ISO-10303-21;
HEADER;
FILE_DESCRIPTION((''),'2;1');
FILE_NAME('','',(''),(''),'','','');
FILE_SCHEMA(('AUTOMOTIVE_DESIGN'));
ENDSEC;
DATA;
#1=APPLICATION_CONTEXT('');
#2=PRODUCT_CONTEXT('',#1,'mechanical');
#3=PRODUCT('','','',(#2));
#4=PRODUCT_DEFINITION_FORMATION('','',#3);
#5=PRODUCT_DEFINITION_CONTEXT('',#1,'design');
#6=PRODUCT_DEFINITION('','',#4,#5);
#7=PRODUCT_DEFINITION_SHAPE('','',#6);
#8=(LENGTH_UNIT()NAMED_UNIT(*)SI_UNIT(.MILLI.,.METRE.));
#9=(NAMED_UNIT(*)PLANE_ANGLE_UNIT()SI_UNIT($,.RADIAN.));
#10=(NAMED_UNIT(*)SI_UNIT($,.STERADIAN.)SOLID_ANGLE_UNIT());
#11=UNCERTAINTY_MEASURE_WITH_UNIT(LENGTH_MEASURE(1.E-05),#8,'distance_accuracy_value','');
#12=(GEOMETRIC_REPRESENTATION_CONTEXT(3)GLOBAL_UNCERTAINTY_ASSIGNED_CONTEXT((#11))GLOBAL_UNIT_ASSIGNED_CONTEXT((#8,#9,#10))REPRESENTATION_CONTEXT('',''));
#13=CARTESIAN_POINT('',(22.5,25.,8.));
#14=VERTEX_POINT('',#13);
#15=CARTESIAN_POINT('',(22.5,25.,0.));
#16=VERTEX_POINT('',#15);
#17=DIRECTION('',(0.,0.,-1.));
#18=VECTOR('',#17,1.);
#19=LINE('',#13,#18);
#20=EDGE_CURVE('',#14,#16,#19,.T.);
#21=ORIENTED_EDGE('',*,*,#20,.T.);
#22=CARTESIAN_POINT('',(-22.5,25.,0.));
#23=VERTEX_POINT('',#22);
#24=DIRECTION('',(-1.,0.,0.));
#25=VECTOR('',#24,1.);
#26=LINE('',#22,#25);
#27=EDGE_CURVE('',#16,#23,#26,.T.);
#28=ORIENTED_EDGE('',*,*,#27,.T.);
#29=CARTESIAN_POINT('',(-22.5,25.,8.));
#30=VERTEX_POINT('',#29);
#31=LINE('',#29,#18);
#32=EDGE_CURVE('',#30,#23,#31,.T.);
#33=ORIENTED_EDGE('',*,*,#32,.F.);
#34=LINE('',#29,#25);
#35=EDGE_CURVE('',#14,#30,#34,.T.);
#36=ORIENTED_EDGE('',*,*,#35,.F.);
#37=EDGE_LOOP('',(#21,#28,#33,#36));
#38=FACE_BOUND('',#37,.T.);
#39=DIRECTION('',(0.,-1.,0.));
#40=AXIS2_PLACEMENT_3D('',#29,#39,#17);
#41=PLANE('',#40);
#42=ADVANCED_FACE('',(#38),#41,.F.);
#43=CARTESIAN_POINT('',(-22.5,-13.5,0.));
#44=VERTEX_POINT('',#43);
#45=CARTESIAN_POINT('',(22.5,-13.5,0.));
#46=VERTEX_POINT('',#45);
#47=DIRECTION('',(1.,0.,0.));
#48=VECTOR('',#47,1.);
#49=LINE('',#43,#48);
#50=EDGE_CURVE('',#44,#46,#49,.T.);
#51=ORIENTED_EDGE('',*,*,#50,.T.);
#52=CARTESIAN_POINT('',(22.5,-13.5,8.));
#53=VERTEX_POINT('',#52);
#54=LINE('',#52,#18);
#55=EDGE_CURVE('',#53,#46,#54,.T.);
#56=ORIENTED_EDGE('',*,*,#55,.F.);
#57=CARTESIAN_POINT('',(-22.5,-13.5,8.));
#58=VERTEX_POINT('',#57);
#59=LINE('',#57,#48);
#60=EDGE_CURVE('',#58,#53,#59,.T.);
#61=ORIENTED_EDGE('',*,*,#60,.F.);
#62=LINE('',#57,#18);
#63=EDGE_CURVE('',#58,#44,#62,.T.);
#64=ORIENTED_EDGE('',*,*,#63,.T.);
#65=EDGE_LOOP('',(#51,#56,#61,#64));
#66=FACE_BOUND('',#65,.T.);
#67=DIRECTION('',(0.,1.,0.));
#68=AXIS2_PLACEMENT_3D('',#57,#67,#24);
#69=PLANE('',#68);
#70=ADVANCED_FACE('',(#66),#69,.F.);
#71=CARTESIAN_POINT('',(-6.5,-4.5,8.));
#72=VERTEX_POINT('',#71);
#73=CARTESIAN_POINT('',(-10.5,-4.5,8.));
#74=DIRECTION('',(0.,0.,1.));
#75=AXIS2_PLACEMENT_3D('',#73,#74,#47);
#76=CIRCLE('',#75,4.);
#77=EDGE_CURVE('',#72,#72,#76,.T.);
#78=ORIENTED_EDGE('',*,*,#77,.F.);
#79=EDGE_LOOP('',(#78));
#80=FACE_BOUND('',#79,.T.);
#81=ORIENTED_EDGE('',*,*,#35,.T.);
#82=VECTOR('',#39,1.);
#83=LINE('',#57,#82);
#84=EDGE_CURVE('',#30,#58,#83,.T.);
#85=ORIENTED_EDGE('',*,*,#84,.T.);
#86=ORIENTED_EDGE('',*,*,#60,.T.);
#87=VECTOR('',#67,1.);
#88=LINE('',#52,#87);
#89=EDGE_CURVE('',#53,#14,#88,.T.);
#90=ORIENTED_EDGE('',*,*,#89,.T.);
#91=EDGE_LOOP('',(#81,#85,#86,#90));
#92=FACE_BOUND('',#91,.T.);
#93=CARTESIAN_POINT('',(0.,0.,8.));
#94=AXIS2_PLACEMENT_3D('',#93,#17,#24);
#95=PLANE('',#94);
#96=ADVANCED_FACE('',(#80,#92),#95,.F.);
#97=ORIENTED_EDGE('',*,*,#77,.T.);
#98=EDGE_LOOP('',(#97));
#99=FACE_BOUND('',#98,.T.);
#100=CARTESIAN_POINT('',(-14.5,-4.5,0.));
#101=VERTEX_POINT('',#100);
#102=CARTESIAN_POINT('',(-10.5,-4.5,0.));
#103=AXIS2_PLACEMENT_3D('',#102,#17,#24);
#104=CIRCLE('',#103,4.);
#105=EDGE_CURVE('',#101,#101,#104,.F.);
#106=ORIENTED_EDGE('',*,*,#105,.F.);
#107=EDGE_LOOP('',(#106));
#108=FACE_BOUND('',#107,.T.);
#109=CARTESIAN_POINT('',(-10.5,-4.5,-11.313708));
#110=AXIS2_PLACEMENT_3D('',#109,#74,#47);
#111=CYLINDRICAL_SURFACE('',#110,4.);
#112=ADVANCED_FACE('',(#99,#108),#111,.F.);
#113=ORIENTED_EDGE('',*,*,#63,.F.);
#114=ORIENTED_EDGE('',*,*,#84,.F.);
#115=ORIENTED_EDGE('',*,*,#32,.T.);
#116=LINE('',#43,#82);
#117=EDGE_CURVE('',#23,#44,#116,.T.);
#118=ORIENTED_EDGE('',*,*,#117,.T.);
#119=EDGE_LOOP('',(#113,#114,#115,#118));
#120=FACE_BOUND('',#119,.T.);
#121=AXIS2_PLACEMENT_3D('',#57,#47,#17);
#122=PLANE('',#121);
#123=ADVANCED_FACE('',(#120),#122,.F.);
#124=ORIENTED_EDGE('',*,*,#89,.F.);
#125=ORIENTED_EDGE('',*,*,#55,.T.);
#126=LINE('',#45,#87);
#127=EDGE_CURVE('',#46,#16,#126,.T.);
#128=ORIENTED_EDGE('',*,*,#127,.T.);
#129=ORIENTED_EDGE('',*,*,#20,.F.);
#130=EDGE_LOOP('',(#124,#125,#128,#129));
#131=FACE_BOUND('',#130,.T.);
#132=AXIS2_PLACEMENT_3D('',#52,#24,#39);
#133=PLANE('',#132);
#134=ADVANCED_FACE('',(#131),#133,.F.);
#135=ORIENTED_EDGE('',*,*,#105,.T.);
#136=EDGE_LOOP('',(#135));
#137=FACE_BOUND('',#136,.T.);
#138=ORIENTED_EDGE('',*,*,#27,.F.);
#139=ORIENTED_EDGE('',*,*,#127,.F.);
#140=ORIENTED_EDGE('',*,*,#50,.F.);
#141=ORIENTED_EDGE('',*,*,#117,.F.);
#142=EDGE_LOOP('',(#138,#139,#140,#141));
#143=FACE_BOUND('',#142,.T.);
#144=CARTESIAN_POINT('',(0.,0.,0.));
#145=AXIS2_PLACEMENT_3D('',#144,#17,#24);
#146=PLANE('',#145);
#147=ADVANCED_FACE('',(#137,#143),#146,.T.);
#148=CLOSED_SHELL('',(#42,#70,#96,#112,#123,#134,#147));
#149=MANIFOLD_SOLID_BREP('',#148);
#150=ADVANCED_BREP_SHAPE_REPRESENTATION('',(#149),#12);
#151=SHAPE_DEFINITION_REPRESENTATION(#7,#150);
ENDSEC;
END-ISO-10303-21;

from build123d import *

# Parameters (mm, degrees)
SKETCH1_W           = 45
SKETCH1_H           = 38.5
BOSS_EXTRUDE1_DEPTH = 8
SKETCH2_R           = 4
CUT_EXTRUDE1_DEPTH  = 8


with BuildPart() as part:
    # Sketch1 → Boss-Extrude1 (new body)
    with BuildSketch(Plane.XY):
        with Locations((0, 5.75)):
            Rectangle(SKETCH1_W, SKETCH1_H)
    extrude(amount=BOSS_EXTRUDE1_DEPTH)

    # Sketch2 → Cut-Extrude1 (cut)
    with BuildSketch(Plane.XY.offset(8)):
        with Locations((-10.5, -4.5)):
            Circle(SKETCH2_R)
    extrude(amount=-CUT_EXTRUDE1_DEPTH, mode=Mode.SUBTRACT)


solid = part.part
